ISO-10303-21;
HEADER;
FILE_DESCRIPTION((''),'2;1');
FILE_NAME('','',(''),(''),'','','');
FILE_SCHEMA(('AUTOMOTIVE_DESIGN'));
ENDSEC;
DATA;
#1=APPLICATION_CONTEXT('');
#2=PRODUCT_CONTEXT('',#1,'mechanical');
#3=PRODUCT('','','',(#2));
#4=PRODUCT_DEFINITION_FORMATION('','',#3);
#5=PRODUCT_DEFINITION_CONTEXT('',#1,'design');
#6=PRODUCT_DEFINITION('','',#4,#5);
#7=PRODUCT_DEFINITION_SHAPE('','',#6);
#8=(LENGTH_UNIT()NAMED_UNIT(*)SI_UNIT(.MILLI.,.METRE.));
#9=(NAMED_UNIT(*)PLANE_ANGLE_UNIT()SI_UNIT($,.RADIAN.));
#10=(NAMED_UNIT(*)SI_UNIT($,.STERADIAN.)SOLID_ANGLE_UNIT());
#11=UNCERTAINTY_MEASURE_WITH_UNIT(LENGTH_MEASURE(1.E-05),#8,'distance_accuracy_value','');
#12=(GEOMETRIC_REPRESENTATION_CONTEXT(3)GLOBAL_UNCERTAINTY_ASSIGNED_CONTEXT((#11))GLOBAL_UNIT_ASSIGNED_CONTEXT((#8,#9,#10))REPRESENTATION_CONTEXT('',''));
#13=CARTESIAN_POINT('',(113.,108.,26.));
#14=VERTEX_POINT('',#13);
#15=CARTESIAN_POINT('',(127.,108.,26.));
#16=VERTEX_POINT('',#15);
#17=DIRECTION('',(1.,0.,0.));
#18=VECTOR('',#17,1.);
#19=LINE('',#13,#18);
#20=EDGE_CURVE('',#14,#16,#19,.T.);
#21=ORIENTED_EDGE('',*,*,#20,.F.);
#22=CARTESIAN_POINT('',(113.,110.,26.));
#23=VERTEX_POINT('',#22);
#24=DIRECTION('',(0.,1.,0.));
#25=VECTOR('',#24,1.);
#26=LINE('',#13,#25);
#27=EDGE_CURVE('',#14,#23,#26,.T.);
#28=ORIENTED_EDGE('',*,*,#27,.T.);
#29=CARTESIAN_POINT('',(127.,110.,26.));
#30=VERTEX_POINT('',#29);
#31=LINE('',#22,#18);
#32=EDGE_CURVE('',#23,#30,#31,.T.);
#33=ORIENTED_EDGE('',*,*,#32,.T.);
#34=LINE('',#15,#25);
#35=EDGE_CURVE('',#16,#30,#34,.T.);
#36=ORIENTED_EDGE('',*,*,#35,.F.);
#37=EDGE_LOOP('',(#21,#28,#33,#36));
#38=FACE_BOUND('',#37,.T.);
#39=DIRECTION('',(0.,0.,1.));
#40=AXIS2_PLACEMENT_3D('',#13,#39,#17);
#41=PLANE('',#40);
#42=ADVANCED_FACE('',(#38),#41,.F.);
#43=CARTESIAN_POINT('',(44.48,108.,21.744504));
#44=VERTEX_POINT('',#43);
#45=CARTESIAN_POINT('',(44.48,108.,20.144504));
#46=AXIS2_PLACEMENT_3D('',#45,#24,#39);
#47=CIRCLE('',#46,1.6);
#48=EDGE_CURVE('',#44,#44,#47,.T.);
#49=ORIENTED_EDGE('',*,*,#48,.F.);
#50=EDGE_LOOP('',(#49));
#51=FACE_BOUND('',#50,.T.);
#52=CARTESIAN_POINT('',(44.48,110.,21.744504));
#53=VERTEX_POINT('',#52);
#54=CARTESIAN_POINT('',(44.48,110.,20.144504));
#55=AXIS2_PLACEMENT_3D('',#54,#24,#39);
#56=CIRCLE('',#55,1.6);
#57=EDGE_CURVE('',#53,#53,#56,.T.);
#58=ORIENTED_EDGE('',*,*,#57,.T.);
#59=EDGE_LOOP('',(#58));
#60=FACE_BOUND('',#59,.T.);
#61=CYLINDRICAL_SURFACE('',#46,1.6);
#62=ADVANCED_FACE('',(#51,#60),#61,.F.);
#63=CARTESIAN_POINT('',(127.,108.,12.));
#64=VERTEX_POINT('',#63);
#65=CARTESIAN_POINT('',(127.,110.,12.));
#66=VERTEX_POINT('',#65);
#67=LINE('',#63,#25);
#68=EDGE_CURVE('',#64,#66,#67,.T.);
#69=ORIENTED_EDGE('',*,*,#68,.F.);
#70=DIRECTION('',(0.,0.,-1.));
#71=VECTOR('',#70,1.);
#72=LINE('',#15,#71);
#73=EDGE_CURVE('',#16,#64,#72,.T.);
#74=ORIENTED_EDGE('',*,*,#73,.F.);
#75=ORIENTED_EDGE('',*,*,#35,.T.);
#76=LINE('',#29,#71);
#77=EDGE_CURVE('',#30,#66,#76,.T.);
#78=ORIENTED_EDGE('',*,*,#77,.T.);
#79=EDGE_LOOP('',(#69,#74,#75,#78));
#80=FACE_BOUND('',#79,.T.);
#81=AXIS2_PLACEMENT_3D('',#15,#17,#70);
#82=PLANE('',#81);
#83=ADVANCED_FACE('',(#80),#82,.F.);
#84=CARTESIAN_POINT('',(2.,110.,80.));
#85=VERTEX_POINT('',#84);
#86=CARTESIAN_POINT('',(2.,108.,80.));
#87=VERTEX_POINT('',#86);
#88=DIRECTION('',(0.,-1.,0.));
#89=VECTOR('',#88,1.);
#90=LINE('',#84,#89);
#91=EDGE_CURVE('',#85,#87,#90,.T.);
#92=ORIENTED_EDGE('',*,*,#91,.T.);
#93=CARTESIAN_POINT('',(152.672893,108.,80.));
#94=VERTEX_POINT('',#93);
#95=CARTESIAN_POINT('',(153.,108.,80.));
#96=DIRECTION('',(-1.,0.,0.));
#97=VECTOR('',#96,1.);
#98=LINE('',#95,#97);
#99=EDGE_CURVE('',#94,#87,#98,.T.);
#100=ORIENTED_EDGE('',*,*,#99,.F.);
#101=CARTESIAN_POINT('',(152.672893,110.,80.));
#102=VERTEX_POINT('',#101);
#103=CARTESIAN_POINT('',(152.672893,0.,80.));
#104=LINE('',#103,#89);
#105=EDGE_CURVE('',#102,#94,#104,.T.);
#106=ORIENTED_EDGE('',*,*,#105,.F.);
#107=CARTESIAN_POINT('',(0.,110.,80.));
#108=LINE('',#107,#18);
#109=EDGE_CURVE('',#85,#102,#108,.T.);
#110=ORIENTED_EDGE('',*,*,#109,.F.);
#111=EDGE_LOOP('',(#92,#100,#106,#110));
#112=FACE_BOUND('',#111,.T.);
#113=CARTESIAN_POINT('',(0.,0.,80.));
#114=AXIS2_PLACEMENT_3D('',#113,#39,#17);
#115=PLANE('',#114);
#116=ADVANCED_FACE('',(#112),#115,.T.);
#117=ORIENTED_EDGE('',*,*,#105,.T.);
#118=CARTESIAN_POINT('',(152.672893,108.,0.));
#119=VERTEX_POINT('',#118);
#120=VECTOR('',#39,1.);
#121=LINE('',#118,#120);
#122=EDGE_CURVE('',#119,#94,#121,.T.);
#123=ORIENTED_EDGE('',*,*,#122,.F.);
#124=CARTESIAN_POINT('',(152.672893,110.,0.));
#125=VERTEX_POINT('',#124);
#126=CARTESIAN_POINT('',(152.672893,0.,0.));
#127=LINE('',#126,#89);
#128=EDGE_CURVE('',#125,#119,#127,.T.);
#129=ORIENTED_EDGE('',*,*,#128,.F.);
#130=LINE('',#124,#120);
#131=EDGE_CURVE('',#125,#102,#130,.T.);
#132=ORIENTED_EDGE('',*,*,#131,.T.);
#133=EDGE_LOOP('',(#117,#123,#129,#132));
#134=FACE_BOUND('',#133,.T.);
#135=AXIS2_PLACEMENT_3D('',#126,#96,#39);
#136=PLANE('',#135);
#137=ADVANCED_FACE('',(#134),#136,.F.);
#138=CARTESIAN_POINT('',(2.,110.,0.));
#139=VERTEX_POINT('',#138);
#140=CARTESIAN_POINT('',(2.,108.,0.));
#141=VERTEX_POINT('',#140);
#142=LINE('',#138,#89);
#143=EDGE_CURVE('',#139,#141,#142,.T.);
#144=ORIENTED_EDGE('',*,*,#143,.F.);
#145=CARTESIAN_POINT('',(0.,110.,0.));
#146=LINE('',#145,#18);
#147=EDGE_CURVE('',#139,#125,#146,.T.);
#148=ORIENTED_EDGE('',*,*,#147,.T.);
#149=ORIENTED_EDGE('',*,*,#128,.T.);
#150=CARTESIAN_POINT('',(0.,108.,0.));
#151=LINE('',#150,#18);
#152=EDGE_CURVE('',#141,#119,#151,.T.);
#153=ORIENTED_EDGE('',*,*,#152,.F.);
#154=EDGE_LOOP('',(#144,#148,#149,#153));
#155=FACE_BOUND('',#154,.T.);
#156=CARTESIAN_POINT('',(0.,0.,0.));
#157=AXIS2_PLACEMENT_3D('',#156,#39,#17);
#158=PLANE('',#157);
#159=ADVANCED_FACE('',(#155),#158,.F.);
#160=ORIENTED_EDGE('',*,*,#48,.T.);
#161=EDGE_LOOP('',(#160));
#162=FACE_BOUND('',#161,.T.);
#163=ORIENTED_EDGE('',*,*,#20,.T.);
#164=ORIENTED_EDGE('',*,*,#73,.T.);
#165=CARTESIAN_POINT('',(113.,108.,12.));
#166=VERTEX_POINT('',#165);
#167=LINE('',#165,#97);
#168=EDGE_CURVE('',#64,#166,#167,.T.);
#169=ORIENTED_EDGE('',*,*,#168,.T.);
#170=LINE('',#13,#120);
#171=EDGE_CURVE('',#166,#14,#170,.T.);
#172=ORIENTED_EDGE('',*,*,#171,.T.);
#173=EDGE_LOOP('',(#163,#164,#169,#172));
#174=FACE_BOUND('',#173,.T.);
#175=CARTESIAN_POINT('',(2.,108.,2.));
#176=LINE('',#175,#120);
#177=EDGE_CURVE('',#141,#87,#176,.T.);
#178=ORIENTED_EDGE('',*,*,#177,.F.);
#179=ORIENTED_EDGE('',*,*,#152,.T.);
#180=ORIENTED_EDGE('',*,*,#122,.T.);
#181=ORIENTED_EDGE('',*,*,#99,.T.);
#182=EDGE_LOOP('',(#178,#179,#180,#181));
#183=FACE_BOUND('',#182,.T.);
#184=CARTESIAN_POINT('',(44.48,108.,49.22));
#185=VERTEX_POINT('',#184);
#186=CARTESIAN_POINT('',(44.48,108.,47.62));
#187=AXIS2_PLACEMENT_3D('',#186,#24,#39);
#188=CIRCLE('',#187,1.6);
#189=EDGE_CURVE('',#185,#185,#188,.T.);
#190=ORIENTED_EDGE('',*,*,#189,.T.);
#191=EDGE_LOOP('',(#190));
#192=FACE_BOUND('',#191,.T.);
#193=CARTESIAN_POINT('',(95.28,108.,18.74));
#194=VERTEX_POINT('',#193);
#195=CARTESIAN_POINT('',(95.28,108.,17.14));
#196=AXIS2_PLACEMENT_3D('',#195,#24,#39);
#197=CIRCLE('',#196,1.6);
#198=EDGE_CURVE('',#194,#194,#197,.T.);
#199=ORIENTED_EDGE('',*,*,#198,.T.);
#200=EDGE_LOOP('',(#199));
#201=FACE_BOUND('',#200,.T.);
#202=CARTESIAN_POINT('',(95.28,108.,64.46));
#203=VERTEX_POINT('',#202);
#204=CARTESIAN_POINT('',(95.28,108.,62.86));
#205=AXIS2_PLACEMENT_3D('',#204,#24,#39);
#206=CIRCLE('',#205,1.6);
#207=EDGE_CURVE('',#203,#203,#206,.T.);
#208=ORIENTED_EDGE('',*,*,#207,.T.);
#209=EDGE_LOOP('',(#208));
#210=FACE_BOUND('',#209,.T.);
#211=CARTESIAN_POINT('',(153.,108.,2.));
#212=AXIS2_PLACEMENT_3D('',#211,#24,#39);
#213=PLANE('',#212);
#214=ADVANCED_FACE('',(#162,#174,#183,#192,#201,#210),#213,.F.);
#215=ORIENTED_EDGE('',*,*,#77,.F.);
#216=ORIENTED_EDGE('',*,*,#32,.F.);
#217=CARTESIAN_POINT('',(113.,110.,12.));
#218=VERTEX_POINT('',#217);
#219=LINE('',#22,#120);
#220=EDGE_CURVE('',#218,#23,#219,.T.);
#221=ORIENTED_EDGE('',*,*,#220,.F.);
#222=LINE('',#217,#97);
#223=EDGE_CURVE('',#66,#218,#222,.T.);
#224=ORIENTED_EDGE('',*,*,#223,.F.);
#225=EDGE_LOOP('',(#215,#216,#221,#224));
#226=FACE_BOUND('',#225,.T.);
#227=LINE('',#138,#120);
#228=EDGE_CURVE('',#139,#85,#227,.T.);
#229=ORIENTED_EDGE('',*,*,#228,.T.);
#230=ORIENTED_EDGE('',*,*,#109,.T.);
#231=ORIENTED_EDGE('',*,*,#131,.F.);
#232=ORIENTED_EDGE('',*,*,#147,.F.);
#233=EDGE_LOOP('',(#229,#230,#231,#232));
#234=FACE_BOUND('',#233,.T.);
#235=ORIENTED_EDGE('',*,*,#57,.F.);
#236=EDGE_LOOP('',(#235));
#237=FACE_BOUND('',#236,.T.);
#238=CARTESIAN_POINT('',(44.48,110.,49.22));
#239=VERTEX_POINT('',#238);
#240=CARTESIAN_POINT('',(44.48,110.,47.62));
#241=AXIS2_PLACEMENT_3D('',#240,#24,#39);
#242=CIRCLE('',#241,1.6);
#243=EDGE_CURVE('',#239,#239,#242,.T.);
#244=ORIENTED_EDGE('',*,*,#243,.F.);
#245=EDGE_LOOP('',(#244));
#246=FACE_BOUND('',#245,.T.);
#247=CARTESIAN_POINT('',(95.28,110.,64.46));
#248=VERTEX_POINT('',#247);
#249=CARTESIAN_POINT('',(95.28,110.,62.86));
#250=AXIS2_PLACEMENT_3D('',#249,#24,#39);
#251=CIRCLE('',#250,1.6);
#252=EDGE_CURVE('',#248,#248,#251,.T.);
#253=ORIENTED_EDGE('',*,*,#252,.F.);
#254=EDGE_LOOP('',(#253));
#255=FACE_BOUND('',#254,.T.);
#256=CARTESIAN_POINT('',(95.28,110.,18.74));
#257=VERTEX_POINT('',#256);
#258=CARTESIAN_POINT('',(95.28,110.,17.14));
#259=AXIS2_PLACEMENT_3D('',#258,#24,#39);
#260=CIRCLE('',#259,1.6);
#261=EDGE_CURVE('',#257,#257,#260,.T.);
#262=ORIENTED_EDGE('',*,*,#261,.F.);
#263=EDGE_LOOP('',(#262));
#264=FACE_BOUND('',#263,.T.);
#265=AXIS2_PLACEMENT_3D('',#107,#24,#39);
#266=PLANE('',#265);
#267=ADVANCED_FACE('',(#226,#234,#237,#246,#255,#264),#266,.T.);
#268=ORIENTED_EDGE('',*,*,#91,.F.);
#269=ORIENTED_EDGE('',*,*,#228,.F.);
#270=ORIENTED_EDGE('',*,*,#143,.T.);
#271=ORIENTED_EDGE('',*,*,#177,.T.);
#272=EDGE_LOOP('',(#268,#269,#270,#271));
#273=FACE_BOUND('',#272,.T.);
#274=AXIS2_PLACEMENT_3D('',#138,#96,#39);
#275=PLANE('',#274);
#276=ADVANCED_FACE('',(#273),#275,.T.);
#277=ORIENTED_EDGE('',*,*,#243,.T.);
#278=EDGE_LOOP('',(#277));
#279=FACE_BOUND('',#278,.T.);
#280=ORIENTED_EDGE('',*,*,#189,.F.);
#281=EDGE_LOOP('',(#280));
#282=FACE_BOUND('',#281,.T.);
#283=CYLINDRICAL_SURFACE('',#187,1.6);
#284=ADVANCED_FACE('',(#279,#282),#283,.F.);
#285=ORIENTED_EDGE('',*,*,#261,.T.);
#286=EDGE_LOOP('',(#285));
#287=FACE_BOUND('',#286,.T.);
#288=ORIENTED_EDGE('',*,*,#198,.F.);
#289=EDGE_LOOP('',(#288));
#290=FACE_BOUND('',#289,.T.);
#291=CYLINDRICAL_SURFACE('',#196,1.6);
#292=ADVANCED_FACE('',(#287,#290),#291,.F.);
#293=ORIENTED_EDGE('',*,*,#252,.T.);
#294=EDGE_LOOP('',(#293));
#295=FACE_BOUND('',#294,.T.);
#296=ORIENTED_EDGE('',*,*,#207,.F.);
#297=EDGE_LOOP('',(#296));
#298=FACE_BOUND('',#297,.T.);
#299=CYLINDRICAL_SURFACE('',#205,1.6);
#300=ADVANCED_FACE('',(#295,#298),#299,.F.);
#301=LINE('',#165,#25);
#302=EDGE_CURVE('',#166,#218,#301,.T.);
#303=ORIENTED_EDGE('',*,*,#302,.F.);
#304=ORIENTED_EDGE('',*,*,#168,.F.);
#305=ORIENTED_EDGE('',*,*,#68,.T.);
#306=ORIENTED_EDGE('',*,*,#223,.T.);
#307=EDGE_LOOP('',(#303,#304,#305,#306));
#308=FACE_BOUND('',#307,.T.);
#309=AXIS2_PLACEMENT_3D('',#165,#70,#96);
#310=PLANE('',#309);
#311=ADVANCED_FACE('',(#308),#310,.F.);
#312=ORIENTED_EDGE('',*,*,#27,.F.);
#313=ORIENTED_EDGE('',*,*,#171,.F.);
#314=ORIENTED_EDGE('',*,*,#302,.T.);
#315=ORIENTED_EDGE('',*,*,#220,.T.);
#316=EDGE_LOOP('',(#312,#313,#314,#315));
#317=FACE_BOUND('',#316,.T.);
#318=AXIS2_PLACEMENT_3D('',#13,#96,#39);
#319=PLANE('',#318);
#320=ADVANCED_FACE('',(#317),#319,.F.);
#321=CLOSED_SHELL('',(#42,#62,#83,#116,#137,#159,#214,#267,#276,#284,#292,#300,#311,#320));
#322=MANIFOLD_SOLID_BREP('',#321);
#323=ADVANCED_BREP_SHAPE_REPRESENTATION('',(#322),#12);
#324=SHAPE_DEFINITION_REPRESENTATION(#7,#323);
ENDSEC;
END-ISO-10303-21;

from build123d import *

# Parameters (mm, degrees)
SKETCH1_W           = 155
SKETCH1_H           = 110
BOSS_EXTRUDE1_DEPTH = 80
SKETCH2_W           = 151
SKETCH2_H           = 106
CUT_EXTRUDE1_DEPTH  = 78
SKETCH3_R           = 2.5
CUT_EXTRUDE2_DEPTH  = 2
SKETCH7_R           = 1.6
CUT_EXTRUDE7_DEPTH  = 2
SKETCH4_W           = 27.5
SKETCH4_H           = 46.8
CUT_EXTRUDE8_DEPTH  = 2
SKETCH8_W           = 4
SKETCH8_H           = 53
CUT_EXTRUDE9_DEPTH  = 2
SKETCH9_W           = 14
SKETCH9_H           = 14
CUT_EXTRUDE10_DEPTH = 2
SKETCH10_W          = 25.2
SKETCH10_H          = 71.2
SKETCH10_R          = 1.25
CUT_EXTRUDE12_DEPTH = 2
SKETCH11_R          = 2.5
SKETCH11_R_2        = 4.5
CUT_EXTRUDE13_DEPTH = 2
SKETCH12_W          = 150.672892958
SKETCH12_H          = 106
SKETCH12_W_2        = 2
SKETCH12_H_2        = 110
CUT_EXTRUDE14_DEPTH = 80
SKETCH13_W          = 150.672892958
SKETCH13_H          = 2
CUT_EXTRUDE15_DEPTH = 80
SKETCH14_W          = 2
SKETCH14_H          = 106
CUT_EXTRUDE16_DEPTH = 80


with BuildPart() as part:
    # Sketch1 → Boss-Extrude1 (new body)
    with BuildSketch(Plane.XY):
        with Locations((77.5, 55)):
            Rectangle(SKETCH1_W, SKETCH1_H)
    extrude(amount=BOSS_EXTRUDE1_DEPTH)

    # Sketch2 → Cut-Extrude1 (cut)
    with BuildSketch(Plane.XY.offset(80)):
        with Locations((77.5, 55)):
            Rectangle(SKETCH2_W, SKETCH2_H)
    extrude(amount=-CUT_EXTRUDE1_DEPTH, mode=Mode.SUBTRACT)

    # Sketch3 → Cut-Extrude2 (cut)
    with BuildSketch(Plane.XY.offset(2)):
        with Locations((145, 100.5)):
            Circle(SKETCH3_R)
        with Locations((145, 9.5)):
            Circle(SKETCH3_R)
        with Locations((10, 9.5)):
            Circle(SKETCH3_R)
        with Locations((10, 100.5)):
            Circle(SKETCH3_R)
    extrude(amount=-CUT_EXTRUDE2_DEPTH, mode=Mode.SUBTRACT)

    # Sketch7 → Cut-Extrude7 (cut)
    with BuildSketch(Plane(origin=(0, 110, 0), x_dir=(1, 0, 0), z_dir=(0, 1, 0))):
        with Locations((44.48, -20.14450396)):
            Circle(SKETCH7_R)
        with Locations((95.28, -17.14)):
            Circle(SKETCH7_R)
        with Locations((95.28, -62.86)):
            Circle(SKETCH7_R)
        with Locations((44.48, -47.62)):
            Circle(SKETCH7_R)
    extrude(amount=-CUT_EXTRUDE7_DEPTH, mode=Mode.SUBTRACT)

    # Sketch4 → Cut-Extrude8 (cut)
    with BuildSketch(Plane(origin=(155, 0, 0), x_dir=(0, 0, -1), z_dir=(1, 0, 0))):
        with Locations((-40, 82.5)):
            Rectangle(SKETCH4_W, SKETCH4_H)
    extrude(amount=-CUT_EXTRUDE8_DEPTH, mode=Mode.SUBTRACT)

    # Sketch8 → Cut-Extrude9 (cut)
    with BuildSketch(Plane(origin=(155, 0, 0), x_dir=(0, 0, -1), z_dir=(1, 0, 0))):
        with Locations((-68, 28.5)):
            Rectangle(SKETCH8_W, SKETCH8_H)
        with Locations((-76, 28.5)):
            Rectangle(SKETCH8_W, SKETCH8_H)
        with Locations((-60, 28.5)):
            Rectangle(SKETCH8_W, SKETCH8_H)
        with Locations((-52, 28.5)):
            Rectangle(SKETCH8_W, SKETCH8_H)
        with Locations((-44, 28.5)):
            Rectangle(SKETCH8_W, SKETCH8_H)
        with Locations((-36, 28.5)):
            Rectangle(SKETCH8_W, SKETCH8_H)
        with Locations((-28, 28.5)):
            Rectangle(SKETCH8_W, SKETCH8_H)
        with Locations((-20, 28.5)):
            Rectangle(SKETCH8_W, SKETCH8_H)
        with Locations((-12, 28.5)):
            Rectangle(SKETCH8_W, SKETCH8_H)
        with Locations((-4, 28.5)):
            Rectangle(SKETCH8_W, SKETCH8_H)
    extrude(amount=-CUT_EXTRUDE9_DEPTH, mode=Mode.SUBTRACT)

    # Sketch9 → Cut-Extrude10 (cut)
    with BuildSketch(Plane(origin=(0, 110, 0), x_dir=(1, 0, 0), z_dir=(0, 1, 0))):
        with Locations((120, -19)):
            Rectangle(SKETCH9_W, SKETCH9_H)
    extrude(amount=-CUT_EXTRUDE10_DEPTH, mode=Mode.SUBTRACT)

    # Sketch10 → Cut-Extrude12 (cut)
    with BuildSketch(Plane.ZY):
        with Locations((58, 55)):
            Rectangle(SKETCH10_W, SKETCH10_H)
        with Locations((42.5, 92.5)):
            Circle(SKETCH10_R)
        with Locations((73.5, 92.5)):
            Circle(SKETCH10_R)
        with Locations((42.5, 17.5)):
            Circle(SKETCH10_R)
        with Locations((73.5, 17.5)):
            Circle(SKETCH10_R)
    extrude(amount=-CUT_EXTRUDE12_DEPTH, mode=Mode.SUBTRACT)

    # Sketch11 → Cut-Extrude13 (cut)
    with BuildSketch(Plane.ZY):
        with Locations((20, 55)):
            Circle(SKETCH11_R)
        with Locations((20, 40)):
            Circle(SKETCH11_R)
        with Locations((20, 25)):
            Circle(SKETCH11_R)
        with Locations((20, 82.5)):
            Circle(SKETCH11_R_2)
    extrude(amount=-CUT_EXTRUDE13_DEPTH, mode=Mode.SUBTRACT)

    # Sketch12 → Cut-Extrude14 (cut)
    with BuildSketch(Plane.XY.offset(80)):
        with Locations((77.336446479, 55)):
            Rectangle(SKETCH12_W, SKETCH12_H)
        Polygon((155, 110), (152.672892958, 110), (152.672892958, 108), (153, 108), (153, 2), (152.672892958, 2), (152.672892958, 0), (155, 0), align=None)
        with Locations((1, 55)):
            Rectangle(SKETCH12_W_2, SKETCH12_H_2)
    extrude(amount=-CUT_EXTRUDE14_DEPTH, mode=Mode.SUBTRACT)

    # Sketch13 → Cut-Extrude15 (cut)
    with BuildSketch(Plane.XY.offset(80)):
        with Locations((77.336446479, 1)):
            Rectangle(SKETCH13_W, SKETCH13_H)
    extrude(amount=-CUT_EXTRUDE15_DEPTH, mode=Mode.SUBTRACT)

    # Sketch14 → Cut-Extrude16 (cut)
    with BuildSketch(Plane(origin=(153, 0, 0), x_dir=(0, 0, -1), z_dir=(1, 0, 0))):
        with Locations((-1, 55)):
            Rectangle(SKETCH14_W, SKETCH14_H)
    extrude(amount=-CUT_EXTRUDE16_DEPTH, mode=Mode.SUBTRACT)


solid = part.part
